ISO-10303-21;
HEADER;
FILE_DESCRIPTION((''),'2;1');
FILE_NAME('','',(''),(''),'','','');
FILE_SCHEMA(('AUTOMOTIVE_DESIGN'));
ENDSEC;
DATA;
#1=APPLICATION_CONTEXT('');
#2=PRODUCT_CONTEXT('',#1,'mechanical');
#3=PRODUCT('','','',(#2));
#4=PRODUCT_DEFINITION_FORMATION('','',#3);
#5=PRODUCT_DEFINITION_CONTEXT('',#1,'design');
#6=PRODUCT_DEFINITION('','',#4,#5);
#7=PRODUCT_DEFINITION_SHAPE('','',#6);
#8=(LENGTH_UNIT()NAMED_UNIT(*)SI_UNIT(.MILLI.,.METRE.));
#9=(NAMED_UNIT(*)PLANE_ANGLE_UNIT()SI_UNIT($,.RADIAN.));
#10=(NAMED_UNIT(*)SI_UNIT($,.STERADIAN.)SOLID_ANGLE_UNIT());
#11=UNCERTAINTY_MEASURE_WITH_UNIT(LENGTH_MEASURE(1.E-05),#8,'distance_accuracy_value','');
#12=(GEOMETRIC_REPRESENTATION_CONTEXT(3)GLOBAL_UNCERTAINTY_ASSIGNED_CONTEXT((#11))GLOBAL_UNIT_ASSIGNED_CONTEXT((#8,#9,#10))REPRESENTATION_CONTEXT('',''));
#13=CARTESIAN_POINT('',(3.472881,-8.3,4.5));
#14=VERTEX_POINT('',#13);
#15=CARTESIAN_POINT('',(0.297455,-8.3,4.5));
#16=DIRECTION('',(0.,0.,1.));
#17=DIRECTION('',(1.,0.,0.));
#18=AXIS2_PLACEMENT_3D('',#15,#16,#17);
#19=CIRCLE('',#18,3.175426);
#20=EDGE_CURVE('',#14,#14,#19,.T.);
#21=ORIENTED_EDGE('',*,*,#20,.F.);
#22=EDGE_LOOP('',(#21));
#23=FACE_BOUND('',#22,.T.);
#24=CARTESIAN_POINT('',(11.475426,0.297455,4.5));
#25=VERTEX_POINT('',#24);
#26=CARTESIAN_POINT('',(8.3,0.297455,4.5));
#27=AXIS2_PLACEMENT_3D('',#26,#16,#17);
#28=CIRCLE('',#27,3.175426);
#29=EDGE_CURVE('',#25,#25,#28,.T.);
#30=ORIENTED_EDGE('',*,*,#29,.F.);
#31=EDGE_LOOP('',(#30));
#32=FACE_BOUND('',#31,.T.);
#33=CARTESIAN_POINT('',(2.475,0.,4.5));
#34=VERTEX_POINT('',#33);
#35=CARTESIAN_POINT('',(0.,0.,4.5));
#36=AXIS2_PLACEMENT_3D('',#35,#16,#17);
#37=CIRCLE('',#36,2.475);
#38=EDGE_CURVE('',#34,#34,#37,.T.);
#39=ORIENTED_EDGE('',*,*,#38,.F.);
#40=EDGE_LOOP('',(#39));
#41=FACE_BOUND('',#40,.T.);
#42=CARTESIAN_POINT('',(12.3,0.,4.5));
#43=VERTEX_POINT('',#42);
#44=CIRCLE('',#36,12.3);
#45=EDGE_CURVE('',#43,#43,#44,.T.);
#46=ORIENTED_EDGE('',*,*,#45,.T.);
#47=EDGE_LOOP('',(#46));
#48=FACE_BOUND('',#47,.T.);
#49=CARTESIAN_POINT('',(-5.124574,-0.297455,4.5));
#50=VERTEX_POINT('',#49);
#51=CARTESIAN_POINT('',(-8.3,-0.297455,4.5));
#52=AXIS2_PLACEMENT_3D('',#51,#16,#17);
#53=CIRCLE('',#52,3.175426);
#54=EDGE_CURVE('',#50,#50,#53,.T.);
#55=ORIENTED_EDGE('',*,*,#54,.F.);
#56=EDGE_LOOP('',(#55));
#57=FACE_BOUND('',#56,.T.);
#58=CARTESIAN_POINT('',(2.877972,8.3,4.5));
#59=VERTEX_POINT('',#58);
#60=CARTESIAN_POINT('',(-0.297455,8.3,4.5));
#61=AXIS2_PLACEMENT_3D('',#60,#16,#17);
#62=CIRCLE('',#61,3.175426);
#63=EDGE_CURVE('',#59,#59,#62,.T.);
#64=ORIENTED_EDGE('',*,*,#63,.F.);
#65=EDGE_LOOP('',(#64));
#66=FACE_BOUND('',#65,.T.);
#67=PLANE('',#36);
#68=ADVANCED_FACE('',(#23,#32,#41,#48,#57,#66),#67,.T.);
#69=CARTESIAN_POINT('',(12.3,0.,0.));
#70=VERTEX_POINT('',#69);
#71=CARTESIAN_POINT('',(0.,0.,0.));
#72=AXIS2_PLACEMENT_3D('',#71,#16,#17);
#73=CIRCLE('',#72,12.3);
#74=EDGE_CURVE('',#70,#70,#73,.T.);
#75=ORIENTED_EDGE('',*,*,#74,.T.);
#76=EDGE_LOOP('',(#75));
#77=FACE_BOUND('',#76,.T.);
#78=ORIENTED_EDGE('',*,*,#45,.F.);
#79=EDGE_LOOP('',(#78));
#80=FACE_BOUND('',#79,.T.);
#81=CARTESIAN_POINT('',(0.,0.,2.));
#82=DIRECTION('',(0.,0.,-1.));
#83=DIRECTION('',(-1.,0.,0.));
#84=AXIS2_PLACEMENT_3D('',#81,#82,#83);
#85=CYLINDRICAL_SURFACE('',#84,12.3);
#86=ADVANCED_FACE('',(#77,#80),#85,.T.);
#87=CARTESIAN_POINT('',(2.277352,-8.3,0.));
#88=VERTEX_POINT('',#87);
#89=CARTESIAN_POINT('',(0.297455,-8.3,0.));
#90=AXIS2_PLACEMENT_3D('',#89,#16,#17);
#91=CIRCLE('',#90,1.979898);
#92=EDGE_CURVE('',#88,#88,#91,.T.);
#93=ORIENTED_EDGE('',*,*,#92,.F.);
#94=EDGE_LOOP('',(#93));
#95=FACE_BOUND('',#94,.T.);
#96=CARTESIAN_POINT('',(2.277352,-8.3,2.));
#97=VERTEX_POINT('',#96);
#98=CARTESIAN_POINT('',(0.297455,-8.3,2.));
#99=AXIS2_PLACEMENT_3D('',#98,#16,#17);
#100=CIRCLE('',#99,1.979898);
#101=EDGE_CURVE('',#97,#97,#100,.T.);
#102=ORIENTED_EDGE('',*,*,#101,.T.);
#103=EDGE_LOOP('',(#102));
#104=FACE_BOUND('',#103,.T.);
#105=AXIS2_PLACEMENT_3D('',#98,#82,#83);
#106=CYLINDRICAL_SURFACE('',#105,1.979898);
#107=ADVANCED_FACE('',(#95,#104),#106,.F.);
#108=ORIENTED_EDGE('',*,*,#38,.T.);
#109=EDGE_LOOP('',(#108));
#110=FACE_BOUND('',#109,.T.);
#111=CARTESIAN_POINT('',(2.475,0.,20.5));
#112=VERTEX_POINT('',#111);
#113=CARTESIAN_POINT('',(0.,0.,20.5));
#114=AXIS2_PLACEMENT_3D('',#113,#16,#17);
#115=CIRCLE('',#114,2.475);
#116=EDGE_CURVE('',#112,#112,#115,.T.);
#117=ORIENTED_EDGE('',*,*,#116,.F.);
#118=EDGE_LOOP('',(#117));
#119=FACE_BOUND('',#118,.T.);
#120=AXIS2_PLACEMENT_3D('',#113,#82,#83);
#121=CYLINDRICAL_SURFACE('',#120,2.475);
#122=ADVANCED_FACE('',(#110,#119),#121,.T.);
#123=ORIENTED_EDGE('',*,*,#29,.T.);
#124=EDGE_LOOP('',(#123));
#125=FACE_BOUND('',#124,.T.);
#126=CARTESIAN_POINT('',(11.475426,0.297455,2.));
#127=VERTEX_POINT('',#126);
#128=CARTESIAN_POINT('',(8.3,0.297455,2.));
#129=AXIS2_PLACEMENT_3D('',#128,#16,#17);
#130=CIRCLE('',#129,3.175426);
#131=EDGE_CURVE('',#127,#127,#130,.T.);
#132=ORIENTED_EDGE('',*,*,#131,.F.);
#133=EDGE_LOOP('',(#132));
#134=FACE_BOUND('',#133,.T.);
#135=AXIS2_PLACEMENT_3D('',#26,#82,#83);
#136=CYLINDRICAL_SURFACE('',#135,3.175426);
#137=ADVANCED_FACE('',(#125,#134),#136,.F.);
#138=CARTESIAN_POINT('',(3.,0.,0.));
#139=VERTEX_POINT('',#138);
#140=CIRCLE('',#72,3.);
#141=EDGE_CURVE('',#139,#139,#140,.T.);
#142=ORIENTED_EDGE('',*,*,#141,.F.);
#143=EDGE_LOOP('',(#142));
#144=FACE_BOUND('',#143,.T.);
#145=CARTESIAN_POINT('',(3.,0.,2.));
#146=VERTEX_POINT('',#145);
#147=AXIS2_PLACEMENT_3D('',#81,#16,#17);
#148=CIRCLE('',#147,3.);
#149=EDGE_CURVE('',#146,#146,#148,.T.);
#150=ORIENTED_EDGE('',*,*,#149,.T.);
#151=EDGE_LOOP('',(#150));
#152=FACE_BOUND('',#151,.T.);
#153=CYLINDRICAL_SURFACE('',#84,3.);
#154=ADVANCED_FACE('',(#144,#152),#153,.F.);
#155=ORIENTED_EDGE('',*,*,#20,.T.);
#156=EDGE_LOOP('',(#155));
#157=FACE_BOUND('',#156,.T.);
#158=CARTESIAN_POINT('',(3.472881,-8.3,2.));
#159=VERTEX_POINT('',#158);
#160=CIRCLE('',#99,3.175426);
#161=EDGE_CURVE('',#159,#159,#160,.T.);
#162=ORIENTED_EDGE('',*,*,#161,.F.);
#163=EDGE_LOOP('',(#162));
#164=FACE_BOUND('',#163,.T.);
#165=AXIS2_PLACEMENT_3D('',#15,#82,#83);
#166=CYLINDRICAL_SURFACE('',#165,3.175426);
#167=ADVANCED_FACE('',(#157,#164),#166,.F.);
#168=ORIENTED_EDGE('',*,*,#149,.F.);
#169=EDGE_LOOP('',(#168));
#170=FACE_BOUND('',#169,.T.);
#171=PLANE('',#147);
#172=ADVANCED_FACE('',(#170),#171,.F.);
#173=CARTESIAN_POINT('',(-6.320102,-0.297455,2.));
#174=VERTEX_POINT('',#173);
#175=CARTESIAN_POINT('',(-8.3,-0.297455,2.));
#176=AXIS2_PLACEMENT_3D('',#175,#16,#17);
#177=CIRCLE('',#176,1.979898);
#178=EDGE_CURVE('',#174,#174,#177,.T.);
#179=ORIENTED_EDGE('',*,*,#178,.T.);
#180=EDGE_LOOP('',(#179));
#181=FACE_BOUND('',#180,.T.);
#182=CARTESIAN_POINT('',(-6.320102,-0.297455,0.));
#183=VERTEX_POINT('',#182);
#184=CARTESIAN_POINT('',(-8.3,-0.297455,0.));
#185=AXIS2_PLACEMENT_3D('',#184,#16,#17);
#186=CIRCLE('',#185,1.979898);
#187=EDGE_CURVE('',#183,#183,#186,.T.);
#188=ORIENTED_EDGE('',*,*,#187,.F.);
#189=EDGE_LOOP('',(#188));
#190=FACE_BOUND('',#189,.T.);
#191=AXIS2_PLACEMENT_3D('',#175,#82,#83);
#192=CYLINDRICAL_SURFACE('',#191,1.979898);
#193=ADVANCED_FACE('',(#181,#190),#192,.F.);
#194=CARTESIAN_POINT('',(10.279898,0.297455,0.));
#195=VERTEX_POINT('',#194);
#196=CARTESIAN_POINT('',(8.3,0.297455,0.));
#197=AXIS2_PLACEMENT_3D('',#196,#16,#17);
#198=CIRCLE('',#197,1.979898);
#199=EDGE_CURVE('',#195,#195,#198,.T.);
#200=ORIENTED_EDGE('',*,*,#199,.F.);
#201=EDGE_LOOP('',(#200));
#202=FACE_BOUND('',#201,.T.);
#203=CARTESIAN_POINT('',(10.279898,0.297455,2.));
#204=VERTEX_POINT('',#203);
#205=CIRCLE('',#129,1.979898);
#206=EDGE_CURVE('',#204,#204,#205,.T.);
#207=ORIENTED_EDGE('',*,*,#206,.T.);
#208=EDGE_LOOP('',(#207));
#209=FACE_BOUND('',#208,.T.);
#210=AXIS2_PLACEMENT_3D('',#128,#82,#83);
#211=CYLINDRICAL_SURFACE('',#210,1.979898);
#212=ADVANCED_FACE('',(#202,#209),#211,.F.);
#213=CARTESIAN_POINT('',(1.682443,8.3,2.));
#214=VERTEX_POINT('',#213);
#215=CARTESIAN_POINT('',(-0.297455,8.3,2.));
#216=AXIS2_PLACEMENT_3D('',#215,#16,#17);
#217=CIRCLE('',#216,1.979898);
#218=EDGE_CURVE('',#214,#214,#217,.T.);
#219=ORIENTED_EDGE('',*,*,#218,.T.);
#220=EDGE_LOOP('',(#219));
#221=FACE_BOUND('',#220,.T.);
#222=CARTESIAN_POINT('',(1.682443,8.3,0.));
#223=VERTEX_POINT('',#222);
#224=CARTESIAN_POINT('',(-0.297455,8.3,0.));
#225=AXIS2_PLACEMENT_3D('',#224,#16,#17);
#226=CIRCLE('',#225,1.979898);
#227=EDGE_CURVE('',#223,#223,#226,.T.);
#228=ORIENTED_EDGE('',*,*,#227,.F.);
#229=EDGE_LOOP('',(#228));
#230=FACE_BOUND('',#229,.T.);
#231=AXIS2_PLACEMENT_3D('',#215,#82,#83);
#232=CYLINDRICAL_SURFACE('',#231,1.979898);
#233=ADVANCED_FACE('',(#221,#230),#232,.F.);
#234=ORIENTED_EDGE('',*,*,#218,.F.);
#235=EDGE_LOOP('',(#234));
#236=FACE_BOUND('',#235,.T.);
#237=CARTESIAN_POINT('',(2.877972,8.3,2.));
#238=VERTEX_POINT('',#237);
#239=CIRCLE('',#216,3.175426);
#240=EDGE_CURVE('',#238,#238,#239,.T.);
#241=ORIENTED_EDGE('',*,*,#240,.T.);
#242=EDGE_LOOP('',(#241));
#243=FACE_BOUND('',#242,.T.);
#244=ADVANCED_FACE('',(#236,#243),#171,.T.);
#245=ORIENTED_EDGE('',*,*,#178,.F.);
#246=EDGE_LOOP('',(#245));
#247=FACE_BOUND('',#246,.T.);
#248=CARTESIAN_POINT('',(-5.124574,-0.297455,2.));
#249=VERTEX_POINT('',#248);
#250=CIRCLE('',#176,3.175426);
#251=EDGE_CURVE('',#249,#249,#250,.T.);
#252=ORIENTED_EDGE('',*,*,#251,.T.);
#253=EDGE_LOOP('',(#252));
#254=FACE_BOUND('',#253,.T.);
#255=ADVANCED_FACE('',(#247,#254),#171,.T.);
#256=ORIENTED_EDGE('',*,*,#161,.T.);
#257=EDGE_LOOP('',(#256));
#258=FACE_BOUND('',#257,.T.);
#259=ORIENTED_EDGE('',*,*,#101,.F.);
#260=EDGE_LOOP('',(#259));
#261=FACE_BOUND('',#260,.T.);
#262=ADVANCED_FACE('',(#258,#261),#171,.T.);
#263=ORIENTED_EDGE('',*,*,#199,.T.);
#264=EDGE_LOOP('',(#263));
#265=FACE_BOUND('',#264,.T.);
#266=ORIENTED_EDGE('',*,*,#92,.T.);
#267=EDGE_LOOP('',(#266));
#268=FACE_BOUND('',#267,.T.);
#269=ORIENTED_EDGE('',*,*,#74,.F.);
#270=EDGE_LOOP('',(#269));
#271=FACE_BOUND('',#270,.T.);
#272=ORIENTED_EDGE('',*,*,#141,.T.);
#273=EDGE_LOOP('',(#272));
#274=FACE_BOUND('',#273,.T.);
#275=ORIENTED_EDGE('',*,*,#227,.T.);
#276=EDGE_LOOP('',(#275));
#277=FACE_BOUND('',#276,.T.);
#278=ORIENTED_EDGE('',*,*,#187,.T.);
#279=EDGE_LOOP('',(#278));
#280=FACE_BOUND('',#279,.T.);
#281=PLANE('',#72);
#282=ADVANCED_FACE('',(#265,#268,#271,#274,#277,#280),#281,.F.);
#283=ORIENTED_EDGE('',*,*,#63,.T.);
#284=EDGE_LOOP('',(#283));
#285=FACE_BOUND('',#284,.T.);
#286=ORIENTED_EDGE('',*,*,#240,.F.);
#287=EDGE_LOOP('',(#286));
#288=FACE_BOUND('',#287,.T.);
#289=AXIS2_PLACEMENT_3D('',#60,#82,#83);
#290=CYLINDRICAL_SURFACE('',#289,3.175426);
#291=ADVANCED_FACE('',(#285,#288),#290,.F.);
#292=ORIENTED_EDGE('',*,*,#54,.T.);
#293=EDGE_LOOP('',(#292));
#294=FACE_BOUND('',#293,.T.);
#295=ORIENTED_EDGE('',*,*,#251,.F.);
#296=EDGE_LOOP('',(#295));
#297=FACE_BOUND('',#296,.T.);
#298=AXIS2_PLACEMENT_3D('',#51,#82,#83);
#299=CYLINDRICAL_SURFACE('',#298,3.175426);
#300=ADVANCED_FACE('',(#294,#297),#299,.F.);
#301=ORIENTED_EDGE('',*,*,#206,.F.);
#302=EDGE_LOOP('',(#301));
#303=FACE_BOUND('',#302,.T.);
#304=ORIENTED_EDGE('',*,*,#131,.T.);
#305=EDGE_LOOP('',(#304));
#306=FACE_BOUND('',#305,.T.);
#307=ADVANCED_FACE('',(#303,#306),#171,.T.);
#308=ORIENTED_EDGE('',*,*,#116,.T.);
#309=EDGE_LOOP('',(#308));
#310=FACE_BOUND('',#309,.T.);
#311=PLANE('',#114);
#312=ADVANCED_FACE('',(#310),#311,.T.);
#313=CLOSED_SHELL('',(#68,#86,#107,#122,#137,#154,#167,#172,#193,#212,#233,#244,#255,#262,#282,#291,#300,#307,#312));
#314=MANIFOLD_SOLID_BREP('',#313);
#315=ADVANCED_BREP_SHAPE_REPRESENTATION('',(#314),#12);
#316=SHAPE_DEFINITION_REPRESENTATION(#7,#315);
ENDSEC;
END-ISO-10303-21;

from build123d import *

# Parameters (mm, degrees)
ESQUISSE1_R        = 12.3
ESQUISSE1_R_2      = 1.97989757
ESQUISSE1_R_3      = 3
BOSS_EXTRU_1_DEPTH = 2
ESQUISSE2_R        = 12.3
ESQUISSE2_R_2      = 3.175426481
ESQUISSE2_R_3      = 3
BOSS_EXTRU_2_DEPTH = 2.5
ESQUISSE3_R        = 2.475
BOSS_EXTRU_3_DEPTH = 16


with BuildPart() as part:
    # Esquisse1 → Boss.-Extru.1 (new body)
    with BuildSketch(Plane.XY):
        Circle(ESQUISSE1_R)
        with Locations((-8.3, -0.297454923)):
            Circle(ESQUISSE1_R_2, mode=Mode.SUBTRACT)
        with Locations((-0.297454923, 8.3)):
            Circle(ESQUISSE1_R_2, mode=Mode.SUBTRACT)
        with Locations((8.3, 0.297454923)):
            Circle(ESQUISSE1_R_2, mode=Mode.SUBTRACT)
        with Locations((0.297454923, -8.3)):
            Circle(ESQUISSE1_R_2, mode=Mode.SUBTRACT)
        Circle(ESQUISSE1_R_3, mode=Mode.SUBTRACT)
    extrude(amount=BOSS_EXTRU_1_DEPTH)

    # Esquisse2 → Boss.-Extru.2 (add)
    # profile 1 of 2: a face of its own
    with BuildSketch(Plane.XY.offset(2)):
        Circle(ESQUISSE2_R)
        with Locations((0.297454923, -8.3)):
            Circle(ESQUISSE2_R_2, mode=Mode.SUBTRACT)
        with Locations((8.3, 0.297454923)):
            Circle(ESQUISSE2_R_2, mode=Mode.SUBTRACT)
        with Locations((-0.297454923, 8.3)):
            Circle(ESQUISSE2_R_2, mode=Mode.SUBTRACT)
        with Locations((-8.3, -0.297454923)):
            Circle(ESQUISSE2_R_2, mode=Mode.SUBTRACT)
        Circle(ESQUISSE2_R_3, mode=Mode.SUBTRACT)
    # profile 2 of 2: a face of its own
    with BuildSketch(Plane.XY.offset(2)):
        Circle(ESQUISSE2_R_3)
    extrude(amount=BOSS_EXTRU_2_DEPTH)

    # Esquisse3 → Boss.-Extru.3 (add)
    with BuildSketch(Plane.XY.offset(4.5)):
        Circle(ESQUISSE3_R)
    extrude(amount=BOSS_EXTRU_3_DEPTH)


solid = part.part
